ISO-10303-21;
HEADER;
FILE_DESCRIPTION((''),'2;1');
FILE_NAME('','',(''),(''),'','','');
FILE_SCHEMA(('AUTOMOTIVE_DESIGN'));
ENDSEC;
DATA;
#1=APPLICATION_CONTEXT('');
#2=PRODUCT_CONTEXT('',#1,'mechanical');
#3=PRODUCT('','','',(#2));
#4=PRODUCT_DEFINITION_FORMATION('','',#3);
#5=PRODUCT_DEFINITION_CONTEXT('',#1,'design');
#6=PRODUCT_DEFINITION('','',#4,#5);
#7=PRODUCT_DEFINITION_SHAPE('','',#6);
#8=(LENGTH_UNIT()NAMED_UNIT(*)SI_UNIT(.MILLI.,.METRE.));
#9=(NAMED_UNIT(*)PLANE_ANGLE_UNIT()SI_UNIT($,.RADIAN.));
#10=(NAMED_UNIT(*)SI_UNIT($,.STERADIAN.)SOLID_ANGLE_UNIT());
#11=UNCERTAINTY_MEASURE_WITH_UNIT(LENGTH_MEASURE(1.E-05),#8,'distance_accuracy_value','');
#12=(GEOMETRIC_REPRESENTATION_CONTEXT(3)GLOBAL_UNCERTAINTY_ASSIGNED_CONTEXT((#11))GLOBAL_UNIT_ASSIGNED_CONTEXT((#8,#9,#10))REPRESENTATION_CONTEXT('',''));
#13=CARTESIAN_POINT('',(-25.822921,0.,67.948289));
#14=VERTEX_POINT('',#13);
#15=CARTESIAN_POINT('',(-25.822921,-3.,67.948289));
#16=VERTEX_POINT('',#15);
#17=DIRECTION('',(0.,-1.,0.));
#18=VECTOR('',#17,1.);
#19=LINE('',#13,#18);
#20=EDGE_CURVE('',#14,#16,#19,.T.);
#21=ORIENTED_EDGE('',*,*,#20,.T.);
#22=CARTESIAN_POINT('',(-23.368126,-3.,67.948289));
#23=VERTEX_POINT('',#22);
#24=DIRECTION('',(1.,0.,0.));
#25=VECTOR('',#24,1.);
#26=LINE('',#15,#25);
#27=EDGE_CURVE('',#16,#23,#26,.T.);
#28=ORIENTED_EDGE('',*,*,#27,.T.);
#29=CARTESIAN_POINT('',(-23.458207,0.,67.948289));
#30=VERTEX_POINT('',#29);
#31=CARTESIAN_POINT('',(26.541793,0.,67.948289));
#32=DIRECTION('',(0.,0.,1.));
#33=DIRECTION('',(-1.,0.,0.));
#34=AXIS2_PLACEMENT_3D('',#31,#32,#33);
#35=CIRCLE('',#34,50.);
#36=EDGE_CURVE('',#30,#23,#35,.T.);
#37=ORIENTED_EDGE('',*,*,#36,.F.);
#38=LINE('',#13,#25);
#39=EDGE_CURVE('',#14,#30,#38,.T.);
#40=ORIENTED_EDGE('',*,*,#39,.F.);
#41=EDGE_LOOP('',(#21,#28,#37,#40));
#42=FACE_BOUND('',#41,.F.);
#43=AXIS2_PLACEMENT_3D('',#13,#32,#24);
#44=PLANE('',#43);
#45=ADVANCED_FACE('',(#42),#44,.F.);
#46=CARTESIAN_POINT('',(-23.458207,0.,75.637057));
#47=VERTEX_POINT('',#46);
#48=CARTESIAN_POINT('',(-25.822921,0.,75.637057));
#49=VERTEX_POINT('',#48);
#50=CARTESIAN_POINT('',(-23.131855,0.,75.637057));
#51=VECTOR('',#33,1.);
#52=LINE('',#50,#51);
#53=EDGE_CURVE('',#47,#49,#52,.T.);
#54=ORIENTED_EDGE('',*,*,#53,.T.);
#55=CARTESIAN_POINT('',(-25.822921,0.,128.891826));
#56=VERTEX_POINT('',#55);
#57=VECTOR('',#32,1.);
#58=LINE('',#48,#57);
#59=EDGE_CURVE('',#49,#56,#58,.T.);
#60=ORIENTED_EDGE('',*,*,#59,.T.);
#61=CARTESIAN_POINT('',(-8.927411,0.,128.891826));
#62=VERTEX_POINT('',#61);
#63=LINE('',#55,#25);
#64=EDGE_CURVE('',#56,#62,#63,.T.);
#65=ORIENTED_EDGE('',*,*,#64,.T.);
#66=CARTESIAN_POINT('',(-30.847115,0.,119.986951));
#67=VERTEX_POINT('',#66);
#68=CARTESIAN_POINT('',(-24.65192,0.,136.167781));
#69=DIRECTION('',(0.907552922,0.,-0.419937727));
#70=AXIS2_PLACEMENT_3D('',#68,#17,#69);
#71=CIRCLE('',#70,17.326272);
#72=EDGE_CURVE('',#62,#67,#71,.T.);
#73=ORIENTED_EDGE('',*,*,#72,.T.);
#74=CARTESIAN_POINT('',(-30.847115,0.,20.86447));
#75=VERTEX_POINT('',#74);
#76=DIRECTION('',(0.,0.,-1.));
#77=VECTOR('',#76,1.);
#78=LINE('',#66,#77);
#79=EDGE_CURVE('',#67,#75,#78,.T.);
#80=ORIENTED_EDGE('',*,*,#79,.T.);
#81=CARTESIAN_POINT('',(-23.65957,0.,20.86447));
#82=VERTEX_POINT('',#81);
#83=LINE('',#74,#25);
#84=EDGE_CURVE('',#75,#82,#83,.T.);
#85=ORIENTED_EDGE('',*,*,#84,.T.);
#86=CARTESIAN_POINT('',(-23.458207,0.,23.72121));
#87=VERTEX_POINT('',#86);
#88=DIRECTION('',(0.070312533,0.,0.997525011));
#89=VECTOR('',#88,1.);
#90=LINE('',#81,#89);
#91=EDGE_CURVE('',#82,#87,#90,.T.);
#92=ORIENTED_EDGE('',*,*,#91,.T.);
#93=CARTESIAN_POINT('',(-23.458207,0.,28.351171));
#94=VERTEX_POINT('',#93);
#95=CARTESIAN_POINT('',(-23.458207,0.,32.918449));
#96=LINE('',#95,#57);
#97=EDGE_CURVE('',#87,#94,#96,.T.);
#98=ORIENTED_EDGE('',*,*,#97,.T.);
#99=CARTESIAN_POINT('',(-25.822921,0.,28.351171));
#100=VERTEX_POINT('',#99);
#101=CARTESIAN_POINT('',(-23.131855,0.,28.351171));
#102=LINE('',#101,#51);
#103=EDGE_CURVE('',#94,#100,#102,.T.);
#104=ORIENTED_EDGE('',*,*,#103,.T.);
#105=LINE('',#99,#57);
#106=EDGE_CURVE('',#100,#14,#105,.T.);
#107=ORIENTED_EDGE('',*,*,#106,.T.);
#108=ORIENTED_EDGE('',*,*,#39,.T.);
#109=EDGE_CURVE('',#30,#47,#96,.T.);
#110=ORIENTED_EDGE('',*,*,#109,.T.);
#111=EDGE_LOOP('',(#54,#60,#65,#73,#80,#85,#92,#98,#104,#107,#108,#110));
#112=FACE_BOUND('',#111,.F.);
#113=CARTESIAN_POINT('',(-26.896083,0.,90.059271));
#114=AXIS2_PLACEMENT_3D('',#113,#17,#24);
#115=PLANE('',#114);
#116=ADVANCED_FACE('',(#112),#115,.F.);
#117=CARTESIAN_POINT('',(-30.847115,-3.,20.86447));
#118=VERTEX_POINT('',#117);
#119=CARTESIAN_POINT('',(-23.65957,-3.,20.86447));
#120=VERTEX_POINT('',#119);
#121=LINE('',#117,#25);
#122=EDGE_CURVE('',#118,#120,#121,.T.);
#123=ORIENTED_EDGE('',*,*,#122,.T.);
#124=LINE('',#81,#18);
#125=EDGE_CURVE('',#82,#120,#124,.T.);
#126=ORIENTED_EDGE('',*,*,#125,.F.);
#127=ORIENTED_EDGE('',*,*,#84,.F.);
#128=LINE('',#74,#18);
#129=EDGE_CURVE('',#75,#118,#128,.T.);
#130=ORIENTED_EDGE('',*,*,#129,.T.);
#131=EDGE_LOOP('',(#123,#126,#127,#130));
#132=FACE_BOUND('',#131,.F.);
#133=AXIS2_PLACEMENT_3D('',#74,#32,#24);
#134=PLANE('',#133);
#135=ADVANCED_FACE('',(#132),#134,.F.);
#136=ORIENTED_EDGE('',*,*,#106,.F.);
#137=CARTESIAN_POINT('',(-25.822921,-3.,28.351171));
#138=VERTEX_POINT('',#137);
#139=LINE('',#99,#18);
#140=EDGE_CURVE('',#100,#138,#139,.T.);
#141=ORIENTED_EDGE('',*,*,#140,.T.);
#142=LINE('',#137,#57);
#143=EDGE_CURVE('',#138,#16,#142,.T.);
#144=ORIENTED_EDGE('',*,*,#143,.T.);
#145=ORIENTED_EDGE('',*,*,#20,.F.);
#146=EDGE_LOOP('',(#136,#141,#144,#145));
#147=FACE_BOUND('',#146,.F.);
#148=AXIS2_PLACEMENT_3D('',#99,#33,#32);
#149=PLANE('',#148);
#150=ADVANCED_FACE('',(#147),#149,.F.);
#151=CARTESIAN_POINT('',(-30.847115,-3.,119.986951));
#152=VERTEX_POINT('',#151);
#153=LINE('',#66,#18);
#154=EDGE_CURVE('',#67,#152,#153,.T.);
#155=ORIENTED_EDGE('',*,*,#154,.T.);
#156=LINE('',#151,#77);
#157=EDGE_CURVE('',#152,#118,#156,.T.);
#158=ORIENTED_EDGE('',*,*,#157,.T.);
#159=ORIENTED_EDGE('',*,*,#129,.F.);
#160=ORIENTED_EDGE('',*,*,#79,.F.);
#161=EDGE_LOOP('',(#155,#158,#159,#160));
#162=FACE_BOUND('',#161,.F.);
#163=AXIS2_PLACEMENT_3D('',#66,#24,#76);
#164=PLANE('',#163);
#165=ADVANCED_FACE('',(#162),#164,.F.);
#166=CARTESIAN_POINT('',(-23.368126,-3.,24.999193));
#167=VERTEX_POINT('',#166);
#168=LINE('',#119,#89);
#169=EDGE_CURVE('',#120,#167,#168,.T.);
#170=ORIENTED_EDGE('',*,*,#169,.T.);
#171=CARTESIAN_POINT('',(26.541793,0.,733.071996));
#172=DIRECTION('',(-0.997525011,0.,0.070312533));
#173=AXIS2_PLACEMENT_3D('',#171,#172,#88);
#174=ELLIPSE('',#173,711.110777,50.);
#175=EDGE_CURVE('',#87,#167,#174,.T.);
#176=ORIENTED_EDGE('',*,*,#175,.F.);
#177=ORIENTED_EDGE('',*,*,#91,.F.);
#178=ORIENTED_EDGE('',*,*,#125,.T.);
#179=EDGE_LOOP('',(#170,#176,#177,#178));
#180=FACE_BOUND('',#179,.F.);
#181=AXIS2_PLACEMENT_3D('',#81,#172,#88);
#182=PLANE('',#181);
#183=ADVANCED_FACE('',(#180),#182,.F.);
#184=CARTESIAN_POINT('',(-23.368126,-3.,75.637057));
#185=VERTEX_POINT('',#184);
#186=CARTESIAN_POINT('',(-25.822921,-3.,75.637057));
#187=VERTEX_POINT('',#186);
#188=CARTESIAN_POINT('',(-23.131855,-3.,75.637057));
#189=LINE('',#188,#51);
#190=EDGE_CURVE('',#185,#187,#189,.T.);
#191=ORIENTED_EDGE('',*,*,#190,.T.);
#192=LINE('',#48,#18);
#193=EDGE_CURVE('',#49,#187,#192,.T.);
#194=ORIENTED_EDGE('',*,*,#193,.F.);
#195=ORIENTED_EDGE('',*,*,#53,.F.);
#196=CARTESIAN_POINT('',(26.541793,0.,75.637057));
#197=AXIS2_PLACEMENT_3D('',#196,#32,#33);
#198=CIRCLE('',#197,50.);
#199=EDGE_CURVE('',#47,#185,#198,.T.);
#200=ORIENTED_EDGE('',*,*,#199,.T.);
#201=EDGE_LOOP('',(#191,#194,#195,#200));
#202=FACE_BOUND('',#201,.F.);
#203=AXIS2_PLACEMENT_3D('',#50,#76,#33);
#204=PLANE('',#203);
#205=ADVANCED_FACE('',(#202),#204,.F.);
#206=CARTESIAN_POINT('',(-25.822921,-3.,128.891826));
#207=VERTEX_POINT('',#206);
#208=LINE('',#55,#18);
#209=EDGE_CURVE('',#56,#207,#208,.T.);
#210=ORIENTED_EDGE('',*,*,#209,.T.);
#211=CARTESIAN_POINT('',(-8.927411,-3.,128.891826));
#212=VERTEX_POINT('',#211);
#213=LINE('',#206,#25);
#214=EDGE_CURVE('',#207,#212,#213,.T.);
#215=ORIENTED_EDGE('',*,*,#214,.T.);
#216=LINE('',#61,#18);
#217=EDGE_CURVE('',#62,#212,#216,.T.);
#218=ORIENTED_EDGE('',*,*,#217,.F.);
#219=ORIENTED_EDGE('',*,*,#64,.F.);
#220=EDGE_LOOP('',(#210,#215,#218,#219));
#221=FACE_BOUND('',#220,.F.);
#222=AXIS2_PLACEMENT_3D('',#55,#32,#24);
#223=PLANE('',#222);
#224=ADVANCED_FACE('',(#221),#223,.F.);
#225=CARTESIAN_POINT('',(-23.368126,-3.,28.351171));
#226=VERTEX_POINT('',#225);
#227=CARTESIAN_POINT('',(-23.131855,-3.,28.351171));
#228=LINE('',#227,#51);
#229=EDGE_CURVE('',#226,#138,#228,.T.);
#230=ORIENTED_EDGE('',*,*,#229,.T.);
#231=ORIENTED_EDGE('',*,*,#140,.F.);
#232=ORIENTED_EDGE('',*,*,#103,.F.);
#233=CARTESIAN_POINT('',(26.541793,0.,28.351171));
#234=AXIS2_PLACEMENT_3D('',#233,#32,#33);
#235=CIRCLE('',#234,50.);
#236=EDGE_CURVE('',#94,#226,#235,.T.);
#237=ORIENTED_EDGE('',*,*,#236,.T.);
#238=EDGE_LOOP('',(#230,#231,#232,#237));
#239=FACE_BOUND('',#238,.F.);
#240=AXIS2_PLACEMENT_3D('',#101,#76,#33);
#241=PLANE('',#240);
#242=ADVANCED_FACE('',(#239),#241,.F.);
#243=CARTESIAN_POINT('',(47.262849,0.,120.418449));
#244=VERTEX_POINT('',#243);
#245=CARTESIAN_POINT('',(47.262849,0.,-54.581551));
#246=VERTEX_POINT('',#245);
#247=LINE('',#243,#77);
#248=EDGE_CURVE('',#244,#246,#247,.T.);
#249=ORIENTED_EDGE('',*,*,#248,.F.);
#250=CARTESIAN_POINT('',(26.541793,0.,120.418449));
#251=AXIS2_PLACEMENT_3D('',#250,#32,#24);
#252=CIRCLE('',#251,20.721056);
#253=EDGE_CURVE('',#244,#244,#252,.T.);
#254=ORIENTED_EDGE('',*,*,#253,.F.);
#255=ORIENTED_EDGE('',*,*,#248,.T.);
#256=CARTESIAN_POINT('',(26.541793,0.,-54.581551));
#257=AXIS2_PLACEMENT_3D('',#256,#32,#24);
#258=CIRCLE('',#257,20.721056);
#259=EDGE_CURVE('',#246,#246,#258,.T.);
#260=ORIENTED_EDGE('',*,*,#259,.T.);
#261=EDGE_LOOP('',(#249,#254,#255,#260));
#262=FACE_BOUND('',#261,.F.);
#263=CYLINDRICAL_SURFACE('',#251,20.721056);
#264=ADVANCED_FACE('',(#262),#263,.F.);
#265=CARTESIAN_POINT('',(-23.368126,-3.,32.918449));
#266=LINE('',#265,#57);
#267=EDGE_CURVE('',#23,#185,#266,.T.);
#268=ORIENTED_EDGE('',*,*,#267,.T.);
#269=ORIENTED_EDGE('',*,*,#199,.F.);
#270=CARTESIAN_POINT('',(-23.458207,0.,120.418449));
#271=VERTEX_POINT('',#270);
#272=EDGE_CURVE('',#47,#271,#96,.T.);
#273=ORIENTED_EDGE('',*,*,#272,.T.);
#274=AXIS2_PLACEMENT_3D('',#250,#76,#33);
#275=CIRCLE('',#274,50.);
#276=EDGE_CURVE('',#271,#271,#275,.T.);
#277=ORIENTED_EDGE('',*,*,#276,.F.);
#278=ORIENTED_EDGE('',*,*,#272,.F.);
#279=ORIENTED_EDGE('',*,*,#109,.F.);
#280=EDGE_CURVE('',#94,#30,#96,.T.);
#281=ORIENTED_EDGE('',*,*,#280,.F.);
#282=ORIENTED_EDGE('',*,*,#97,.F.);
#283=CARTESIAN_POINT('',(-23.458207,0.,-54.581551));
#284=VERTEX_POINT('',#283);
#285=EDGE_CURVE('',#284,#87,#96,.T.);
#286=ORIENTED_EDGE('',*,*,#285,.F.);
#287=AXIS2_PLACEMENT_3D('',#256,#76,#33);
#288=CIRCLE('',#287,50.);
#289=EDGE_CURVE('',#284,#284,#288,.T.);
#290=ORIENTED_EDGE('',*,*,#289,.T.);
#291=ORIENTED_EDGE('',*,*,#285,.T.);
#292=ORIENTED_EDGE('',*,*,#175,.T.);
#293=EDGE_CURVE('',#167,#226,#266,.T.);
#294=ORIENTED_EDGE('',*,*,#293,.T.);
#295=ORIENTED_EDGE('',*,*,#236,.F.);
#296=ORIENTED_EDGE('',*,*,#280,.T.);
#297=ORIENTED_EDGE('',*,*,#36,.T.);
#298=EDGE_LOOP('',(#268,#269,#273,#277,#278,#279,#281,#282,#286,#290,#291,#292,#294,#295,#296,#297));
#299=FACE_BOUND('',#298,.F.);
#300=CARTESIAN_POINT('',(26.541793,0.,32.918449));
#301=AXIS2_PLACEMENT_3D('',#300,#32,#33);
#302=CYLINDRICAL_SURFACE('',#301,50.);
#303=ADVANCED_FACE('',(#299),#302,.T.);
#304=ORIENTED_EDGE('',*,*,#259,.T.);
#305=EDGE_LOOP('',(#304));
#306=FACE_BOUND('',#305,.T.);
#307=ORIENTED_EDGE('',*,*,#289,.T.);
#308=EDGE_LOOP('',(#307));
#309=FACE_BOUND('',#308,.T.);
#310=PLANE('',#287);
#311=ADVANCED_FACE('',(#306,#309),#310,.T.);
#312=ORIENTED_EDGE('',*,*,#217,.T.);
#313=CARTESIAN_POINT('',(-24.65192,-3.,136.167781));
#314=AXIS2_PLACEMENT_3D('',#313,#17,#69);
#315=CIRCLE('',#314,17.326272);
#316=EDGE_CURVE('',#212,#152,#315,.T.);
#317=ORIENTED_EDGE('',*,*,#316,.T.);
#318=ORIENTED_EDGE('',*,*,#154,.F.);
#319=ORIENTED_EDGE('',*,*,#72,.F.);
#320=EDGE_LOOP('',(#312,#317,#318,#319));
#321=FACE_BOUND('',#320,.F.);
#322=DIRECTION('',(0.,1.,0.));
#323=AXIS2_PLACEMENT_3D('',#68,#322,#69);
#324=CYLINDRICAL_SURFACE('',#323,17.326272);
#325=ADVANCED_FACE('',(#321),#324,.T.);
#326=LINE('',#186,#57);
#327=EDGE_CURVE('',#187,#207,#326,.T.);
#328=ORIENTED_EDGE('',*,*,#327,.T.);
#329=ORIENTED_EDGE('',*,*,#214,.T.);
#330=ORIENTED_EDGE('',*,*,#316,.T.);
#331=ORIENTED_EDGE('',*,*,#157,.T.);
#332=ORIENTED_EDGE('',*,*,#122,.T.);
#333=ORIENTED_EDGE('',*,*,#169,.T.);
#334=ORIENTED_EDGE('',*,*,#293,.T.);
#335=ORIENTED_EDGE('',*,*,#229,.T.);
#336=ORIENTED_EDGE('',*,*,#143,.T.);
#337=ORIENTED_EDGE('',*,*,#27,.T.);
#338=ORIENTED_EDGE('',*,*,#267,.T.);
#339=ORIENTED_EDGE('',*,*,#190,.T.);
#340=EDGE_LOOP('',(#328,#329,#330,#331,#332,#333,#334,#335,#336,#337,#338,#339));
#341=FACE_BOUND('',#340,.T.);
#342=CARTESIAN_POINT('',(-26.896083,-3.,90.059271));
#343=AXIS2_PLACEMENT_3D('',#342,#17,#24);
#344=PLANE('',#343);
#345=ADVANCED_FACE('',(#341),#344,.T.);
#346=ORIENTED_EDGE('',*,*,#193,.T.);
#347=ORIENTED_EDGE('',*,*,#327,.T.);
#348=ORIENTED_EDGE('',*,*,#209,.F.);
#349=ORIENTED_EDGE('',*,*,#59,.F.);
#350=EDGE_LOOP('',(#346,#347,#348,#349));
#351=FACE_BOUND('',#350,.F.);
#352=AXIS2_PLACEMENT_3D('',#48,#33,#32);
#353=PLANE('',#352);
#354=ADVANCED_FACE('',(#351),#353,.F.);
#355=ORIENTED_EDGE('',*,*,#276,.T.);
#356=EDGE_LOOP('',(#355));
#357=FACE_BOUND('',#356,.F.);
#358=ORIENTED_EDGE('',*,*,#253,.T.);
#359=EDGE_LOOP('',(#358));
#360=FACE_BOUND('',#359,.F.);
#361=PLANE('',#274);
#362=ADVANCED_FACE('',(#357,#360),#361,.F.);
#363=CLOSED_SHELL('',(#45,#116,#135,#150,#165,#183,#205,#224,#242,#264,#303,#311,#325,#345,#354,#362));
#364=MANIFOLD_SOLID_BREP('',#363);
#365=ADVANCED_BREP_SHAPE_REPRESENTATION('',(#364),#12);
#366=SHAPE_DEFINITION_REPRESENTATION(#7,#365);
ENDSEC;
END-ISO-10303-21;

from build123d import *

# Parameters (mm, degrees)
F0_W     = 50
F0_H     = 175
F2_R     = 20.721056
F3_DEPTH = 235
F5_DEPTH = 3


with BuildPart() as f1:
    # F0 (on Front) → F1 (revolve)
    with BuildSketch(Plane.XZ):
        with Locations((1.541793, 32.918449)):
            Rectangle(F0_W, F0_H)
    revolve(axis=Axis((26.541793, 0, 32.918449), (0, 0, -1)))

    # F2 (on face) → F3 (cut)
    with BuildSketch(Plane.XY.offset(120.418449)):
        with Locations((26.541793, 0)):
            Circle(F2_R)
    extrude(amount=-F3_DEPTH, mode=Mode.SUBTRACT)

    # F4 (on Front) → F5 (join)
    with BuildSketch(Plane.XZ):
        with BuildLine():
            Line((-30.847115, 20.86447), (-23.65957, 20.86447))
            Line((-23.65957, 20.86447), (-23.131855, 28.351171))
            Line((-23.131855, 28.351171), (-25.822921, 28.351171))
            Line((-25.822921, 28.351171), (-25.822921, 67.948289))
            Line((-25.822921, 67.948289), (-23.131855, 67.948289))
            Line((-23.131855, 67.948289), (-23.131855, 75.637057))
            Line((-23.131855, 75.637057), (-25.822921, 75.637057))
            Line((-25.822921, 75.637057), (-25.822921, 128.891826))
            Line((-25.822921, 128.891826), (-8.927411, 128.891826))
            ThreePointArc((-8.927411, 128.891826), (-31.173128, 152.219995), (-30.847115, 119.986951))
            Line((-30.847115, 119.986951), (-30.847115, 20.86447))
        make_face()
    extrude(amount=F5_DEPTH)


solid = f1.part
